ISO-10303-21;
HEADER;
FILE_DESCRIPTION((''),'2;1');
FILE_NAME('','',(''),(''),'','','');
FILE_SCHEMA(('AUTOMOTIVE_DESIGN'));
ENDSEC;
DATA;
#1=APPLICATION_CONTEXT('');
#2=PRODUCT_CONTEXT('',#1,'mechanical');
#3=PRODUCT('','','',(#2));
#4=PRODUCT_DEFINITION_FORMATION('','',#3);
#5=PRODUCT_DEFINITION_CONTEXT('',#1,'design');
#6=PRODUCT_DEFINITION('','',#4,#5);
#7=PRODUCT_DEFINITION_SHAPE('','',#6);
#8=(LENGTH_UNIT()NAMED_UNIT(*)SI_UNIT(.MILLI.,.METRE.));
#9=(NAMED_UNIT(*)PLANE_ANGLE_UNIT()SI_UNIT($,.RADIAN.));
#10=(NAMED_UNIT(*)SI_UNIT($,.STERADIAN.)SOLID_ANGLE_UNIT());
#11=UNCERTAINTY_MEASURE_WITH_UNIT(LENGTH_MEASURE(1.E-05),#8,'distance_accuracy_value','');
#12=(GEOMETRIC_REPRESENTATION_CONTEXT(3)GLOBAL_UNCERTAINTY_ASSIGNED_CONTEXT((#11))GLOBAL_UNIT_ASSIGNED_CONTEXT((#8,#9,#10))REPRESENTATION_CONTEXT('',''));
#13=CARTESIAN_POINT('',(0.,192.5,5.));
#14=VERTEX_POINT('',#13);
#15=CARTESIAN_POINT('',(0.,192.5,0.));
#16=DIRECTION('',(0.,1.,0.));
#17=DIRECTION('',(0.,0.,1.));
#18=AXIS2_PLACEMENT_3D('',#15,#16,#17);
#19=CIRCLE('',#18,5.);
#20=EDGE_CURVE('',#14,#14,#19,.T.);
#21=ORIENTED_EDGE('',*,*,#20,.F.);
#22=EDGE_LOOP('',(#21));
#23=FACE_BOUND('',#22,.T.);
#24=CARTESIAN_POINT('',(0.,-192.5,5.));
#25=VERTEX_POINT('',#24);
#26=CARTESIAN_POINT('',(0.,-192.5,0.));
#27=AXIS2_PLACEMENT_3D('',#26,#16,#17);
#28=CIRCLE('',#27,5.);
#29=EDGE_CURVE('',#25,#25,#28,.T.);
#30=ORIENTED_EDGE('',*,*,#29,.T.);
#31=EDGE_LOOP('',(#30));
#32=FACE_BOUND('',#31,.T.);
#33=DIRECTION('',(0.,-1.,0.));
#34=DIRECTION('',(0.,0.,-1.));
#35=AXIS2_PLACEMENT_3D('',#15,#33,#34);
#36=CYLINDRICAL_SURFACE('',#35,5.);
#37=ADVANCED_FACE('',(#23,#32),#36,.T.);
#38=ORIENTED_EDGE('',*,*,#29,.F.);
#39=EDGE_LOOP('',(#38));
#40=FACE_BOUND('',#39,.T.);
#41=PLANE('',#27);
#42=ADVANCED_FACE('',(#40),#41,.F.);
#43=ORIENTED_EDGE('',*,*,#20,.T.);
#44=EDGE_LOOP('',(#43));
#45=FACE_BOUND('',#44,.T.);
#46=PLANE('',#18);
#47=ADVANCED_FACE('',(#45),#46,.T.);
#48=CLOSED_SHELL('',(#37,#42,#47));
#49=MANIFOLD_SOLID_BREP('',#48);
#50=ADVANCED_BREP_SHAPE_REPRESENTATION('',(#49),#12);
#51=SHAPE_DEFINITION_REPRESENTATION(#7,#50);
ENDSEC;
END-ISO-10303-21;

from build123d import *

# Parameters (mm, degrees)
SKETCH1_R           = 5
BOSS_EXTRUDE1_DEPTH = 192.5


with BuildPart() as part:
    # Sketch1 → Boss-Extrude1 (new body, symmetric)
    with BuildSketch(Plane(origin=(0, 0, 0), x_dir=(1, 0, 0), z_dir=(0, 1, 0))):
        Circle(SKETCH1_R)
    extrude(amount=BOSS_EXTRUDE1_DEPTH, both=True)


solid = part.part
